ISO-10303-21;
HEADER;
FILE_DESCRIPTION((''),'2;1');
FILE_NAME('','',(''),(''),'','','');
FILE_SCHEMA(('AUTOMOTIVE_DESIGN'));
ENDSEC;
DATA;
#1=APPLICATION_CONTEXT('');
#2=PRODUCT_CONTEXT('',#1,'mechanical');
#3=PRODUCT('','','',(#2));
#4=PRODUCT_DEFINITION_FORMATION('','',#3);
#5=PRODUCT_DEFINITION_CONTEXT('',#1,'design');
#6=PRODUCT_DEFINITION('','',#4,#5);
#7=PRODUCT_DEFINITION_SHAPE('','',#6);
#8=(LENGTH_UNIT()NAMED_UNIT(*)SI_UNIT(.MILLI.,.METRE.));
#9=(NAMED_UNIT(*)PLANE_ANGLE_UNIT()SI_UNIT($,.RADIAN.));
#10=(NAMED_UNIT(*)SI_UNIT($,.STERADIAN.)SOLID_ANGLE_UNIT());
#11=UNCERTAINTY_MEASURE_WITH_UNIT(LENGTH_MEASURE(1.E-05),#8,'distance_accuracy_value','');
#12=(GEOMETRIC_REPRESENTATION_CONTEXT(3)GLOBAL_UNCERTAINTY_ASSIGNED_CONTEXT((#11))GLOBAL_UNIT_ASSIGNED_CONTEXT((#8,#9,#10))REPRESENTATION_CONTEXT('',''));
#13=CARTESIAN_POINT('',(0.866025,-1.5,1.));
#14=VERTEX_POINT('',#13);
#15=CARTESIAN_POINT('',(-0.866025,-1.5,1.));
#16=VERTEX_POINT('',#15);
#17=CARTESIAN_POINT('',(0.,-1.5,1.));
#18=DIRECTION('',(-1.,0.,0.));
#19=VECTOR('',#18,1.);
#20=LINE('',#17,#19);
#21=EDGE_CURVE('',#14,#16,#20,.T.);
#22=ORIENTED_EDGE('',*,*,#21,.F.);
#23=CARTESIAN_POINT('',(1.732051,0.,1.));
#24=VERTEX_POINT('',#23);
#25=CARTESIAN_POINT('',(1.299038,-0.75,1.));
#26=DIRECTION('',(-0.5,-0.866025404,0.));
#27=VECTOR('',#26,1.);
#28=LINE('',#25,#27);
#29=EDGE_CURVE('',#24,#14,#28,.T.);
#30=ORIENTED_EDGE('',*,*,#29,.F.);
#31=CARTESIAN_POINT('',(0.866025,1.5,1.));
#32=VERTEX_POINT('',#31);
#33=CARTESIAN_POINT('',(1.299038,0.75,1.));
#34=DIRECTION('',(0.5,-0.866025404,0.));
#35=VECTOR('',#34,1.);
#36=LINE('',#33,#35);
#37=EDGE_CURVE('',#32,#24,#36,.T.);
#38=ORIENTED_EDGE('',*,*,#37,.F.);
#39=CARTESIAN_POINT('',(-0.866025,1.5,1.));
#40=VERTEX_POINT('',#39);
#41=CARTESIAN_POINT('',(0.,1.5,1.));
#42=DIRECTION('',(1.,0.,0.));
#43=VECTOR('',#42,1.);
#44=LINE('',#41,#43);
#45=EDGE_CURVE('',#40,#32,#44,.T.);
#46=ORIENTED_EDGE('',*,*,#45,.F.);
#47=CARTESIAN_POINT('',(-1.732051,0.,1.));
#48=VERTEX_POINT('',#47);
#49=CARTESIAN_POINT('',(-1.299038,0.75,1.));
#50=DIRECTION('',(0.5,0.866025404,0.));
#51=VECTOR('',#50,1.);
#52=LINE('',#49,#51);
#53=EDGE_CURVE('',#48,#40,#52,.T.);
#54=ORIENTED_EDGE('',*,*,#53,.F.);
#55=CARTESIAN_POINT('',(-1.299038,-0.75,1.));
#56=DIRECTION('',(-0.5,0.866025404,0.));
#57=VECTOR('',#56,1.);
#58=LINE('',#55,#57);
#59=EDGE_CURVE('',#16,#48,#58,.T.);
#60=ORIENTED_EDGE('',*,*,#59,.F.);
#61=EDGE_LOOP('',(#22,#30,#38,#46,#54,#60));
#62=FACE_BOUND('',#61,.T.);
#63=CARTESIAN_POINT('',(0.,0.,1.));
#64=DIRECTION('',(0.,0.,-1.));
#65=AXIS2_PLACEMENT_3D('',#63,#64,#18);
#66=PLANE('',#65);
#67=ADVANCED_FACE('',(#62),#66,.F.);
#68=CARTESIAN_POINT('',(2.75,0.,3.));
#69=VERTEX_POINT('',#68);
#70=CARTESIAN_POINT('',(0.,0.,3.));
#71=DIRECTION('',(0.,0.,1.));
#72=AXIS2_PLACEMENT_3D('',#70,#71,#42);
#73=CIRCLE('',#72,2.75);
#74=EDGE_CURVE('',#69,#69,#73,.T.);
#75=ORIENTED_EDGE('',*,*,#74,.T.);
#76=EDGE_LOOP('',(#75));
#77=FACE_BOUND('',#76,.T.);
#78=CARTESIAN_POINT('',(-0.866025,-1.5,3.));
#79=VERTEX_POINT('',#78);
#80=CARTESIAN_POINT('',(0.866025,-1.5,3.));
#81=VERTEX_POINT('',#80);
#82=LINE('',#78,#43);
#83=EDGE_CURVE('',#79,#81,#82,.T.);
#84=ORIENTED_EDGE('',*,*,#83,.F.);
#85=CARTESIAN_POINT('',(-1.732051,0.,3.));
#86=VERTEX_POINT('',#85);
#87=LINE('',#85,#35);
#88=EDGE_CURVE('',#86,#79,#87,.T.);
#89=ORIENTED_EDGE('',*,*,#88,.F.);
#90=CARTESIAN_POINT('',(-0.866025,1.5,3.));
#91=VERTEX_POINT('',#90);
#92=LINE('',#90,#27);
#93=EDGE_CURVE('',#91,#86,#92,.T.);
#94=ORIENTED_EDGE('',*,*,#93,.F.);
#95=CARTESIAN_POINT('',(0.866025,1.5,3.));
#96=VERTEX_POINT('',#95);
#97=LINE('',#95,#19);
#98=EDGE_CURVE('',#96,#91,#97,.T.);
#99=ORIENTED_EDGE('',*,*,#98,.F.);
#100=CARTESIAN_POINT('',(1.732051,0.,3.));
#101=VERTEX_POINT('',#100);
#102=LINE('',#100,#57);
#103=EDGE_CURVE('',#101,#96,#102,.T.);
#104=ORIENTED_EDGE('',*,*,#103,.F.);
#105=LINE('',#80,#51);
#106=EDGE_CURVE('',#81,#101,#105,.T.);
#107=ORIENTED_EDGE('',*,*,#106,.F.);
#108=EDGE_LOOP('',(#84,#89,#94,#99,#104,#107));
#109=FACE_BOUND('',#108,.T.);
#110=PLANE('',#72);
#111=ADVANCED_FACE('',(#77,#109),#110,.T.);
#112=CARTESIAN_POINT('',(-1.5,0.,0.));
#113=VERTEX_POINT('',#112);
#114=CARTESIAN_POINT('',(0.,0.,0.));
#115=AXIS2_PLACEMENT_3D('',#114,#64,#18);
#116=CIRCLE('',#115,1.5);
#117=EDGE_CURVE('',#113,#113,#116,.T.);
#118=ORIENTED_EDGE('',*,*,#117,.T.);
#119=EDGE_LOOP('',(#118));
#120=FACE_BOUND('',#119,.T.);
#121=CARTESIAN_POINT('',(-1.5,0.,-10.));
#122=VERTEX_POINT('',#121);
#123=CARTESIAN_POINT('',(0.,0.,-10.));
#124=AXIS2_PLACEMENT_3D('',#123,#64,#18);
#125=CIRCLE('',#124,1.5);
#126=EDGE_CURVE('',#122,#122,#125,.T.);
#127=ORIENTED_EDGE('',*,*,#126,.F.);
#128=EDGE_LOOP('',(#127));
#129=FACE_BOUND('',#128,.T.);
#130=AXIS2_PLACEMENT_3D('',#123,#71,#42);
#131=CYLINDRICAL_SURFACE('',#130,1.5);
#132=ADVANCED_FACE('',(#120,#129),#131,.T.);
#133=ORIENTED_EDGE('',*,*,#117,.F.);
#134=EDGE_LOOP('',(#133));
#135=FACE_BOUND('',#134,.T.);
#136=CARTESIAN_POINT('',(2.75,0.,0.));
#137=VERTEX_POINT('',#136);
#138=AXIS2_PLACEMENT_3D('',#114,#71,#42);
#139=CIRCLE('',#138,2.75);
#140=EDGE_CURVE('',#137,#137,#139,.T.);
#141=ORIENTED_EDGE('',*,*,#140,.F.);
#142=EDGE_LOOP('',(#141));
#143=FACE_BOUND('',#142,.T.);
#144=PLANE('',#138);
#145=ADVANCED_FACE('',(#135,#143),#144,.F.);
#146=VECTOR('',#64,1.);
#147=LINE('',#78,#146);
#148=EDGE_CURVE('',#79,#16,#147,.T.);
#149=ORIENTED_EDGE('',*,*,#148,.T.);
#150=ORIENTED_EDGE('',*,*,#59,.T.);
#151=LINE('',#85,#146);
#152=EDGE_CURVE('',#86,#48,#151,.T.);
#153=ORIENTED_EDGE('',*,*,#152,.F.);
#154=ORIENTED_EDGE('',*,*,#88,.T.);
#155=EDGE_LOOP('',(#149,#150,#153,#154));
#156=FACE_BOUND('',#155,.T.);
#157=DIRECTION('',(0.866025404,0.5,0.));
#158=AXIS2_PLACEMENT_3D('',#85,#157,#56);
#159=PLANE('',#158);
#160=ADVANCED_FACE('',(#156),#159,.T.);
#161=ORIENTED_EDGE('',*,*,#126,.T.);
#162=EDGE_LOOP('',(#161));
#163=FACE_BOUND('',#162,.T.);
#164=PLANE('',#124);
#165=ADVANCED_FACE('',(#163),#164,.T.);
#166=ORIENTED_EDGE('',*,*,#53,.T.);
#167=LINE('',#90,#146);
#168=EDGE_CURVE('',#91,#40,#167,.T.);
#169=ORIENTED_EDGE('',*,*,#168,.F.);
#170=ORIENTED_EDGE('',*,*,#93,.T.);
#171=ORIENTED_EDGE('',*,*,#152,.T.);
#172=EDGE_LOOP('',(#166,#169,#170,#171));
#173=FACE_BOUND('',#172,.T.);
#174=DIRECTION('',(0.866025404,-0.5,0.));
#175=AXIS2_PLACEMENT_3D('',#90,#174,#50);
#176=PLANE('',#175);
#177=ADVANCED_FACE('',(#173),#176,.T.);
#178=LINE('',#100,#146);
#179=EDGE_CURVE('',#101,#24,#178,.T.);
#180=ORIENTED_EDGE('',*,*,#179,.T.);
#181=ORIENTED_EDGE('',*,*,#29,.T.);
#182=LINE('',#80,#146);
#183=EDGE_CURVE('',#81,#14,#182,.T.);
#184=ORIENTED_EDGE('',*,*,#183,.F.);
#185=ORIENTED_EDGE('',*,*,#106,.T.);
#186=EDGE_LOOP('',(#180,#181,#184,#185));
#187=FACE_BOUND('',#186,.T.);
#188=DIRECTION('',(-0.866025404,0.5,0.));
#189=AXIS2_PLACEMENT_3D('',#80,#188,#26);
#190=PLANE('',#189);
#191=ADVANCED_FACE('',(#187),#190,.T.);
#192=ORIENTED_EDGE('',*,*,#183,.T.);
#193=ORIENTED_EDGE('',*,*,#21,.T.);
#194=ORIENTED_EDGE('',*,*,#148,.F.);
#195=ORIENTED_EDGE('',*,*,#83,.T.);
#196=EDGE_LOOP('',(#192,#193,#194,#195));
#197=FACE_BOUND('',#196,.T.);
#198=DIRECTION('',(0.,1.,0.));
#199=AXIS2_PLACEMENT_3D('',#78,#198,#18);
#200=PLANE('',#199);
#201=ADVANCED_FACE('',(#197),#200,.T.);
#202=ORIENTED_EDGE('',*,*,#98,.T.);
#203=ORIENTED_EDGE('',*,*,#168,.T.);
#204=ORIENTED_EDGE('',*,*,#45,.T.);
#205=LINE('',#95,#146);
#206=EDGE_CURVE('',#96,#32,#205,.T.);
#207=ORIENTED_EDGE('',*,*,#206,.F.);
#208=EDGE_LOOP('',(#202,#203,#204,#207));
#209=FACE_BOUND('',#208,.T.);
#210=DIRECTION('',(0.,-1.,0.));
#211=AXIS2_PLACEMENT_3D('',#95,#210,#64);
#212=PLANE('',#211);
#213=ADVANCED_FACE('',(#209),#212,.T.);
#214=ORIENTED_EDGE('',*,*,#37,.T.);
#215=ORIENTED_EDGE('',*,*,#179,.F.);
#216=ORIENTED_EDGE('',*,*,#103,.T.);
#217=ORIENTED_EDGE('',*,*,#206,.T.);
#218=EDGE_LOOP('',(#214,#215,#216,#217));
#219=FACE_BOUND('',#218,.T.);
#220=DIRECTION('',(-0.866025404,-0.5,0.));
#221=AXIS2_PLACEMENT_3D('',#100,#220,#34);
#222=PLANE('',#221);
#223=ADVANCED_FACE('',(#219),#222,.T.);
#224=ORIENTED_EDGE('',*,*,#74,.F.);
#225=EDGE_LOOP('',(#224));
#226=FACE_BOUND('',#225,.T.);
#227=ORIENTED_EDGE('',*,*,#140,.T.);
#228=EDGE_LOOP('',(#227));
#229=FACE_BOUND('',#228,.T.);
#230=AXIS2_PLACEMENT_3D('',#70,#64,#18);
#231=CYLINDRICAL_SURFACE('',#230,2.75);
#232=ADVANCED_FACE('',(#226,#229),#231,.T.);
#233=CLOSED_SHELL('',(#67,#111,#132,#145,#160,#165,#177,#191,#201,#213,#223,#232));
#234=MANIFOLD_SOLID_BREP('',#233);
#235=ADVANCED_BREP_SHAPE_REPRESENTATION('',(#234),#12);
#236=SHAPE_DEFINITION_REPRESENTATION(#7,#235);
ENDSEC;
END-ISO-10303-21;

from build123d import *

# Parameters (mm, degrees)
SKETCH_1_R      = 2.75
EXTRUDE_1_DEPTH = 3
SKETCH_2_R      = 1.5
EXTRUDE_2_DEPTH = 10
EXTRUDE_3_DEPTH = 1


with BuildPart() as part:
    # 草图1 → 凸台-拉伸1 (new body)
    with BuildSketch(Plane.XY):
        Circle(SKETCH_1_R)
        Polygon((1.732050808, 0), (0.866025404, 1.5), (-0.866025404, 1.5), (-1.732050808, 0), (-0.866025404, -1.5), (0.866025404, -1.5), align=None, mode=Mode.SUBTRACT)
    extrude(amount=EXTRUDE_1_DEPTH)



with BuildPart() as body_2:
    # 草图2 → 凸台-拉伸2 (new body)
    with BuildSketch(Plane(origin=(0, 0, 0), x_dir=(-1, 0, 0), z_dir=(0, 0, -1))):
        Circle(SKETCH_2_R)
    extrude(amount=EXTRUDE_2_DEPTH)


with BuildPart() as part_1:
    add(part.part)

    add(body_2.part)  # 凸台-拉伸3 merges body 2
    # 草图1<3> → 凸台-拉伸3 (add)
    with BuildSketch(Plane.XY):
        Polygon((-0.866025404, -1.5), (0.866025404, -1.5), (1.732050808, 0), (0.866025404, 1.5), (-0.866025404, 1.5), (-1.732050808, 0), align=None)
    extrude(amount=EXTRUDE_3_DEPTH)


solid = part_1.part
